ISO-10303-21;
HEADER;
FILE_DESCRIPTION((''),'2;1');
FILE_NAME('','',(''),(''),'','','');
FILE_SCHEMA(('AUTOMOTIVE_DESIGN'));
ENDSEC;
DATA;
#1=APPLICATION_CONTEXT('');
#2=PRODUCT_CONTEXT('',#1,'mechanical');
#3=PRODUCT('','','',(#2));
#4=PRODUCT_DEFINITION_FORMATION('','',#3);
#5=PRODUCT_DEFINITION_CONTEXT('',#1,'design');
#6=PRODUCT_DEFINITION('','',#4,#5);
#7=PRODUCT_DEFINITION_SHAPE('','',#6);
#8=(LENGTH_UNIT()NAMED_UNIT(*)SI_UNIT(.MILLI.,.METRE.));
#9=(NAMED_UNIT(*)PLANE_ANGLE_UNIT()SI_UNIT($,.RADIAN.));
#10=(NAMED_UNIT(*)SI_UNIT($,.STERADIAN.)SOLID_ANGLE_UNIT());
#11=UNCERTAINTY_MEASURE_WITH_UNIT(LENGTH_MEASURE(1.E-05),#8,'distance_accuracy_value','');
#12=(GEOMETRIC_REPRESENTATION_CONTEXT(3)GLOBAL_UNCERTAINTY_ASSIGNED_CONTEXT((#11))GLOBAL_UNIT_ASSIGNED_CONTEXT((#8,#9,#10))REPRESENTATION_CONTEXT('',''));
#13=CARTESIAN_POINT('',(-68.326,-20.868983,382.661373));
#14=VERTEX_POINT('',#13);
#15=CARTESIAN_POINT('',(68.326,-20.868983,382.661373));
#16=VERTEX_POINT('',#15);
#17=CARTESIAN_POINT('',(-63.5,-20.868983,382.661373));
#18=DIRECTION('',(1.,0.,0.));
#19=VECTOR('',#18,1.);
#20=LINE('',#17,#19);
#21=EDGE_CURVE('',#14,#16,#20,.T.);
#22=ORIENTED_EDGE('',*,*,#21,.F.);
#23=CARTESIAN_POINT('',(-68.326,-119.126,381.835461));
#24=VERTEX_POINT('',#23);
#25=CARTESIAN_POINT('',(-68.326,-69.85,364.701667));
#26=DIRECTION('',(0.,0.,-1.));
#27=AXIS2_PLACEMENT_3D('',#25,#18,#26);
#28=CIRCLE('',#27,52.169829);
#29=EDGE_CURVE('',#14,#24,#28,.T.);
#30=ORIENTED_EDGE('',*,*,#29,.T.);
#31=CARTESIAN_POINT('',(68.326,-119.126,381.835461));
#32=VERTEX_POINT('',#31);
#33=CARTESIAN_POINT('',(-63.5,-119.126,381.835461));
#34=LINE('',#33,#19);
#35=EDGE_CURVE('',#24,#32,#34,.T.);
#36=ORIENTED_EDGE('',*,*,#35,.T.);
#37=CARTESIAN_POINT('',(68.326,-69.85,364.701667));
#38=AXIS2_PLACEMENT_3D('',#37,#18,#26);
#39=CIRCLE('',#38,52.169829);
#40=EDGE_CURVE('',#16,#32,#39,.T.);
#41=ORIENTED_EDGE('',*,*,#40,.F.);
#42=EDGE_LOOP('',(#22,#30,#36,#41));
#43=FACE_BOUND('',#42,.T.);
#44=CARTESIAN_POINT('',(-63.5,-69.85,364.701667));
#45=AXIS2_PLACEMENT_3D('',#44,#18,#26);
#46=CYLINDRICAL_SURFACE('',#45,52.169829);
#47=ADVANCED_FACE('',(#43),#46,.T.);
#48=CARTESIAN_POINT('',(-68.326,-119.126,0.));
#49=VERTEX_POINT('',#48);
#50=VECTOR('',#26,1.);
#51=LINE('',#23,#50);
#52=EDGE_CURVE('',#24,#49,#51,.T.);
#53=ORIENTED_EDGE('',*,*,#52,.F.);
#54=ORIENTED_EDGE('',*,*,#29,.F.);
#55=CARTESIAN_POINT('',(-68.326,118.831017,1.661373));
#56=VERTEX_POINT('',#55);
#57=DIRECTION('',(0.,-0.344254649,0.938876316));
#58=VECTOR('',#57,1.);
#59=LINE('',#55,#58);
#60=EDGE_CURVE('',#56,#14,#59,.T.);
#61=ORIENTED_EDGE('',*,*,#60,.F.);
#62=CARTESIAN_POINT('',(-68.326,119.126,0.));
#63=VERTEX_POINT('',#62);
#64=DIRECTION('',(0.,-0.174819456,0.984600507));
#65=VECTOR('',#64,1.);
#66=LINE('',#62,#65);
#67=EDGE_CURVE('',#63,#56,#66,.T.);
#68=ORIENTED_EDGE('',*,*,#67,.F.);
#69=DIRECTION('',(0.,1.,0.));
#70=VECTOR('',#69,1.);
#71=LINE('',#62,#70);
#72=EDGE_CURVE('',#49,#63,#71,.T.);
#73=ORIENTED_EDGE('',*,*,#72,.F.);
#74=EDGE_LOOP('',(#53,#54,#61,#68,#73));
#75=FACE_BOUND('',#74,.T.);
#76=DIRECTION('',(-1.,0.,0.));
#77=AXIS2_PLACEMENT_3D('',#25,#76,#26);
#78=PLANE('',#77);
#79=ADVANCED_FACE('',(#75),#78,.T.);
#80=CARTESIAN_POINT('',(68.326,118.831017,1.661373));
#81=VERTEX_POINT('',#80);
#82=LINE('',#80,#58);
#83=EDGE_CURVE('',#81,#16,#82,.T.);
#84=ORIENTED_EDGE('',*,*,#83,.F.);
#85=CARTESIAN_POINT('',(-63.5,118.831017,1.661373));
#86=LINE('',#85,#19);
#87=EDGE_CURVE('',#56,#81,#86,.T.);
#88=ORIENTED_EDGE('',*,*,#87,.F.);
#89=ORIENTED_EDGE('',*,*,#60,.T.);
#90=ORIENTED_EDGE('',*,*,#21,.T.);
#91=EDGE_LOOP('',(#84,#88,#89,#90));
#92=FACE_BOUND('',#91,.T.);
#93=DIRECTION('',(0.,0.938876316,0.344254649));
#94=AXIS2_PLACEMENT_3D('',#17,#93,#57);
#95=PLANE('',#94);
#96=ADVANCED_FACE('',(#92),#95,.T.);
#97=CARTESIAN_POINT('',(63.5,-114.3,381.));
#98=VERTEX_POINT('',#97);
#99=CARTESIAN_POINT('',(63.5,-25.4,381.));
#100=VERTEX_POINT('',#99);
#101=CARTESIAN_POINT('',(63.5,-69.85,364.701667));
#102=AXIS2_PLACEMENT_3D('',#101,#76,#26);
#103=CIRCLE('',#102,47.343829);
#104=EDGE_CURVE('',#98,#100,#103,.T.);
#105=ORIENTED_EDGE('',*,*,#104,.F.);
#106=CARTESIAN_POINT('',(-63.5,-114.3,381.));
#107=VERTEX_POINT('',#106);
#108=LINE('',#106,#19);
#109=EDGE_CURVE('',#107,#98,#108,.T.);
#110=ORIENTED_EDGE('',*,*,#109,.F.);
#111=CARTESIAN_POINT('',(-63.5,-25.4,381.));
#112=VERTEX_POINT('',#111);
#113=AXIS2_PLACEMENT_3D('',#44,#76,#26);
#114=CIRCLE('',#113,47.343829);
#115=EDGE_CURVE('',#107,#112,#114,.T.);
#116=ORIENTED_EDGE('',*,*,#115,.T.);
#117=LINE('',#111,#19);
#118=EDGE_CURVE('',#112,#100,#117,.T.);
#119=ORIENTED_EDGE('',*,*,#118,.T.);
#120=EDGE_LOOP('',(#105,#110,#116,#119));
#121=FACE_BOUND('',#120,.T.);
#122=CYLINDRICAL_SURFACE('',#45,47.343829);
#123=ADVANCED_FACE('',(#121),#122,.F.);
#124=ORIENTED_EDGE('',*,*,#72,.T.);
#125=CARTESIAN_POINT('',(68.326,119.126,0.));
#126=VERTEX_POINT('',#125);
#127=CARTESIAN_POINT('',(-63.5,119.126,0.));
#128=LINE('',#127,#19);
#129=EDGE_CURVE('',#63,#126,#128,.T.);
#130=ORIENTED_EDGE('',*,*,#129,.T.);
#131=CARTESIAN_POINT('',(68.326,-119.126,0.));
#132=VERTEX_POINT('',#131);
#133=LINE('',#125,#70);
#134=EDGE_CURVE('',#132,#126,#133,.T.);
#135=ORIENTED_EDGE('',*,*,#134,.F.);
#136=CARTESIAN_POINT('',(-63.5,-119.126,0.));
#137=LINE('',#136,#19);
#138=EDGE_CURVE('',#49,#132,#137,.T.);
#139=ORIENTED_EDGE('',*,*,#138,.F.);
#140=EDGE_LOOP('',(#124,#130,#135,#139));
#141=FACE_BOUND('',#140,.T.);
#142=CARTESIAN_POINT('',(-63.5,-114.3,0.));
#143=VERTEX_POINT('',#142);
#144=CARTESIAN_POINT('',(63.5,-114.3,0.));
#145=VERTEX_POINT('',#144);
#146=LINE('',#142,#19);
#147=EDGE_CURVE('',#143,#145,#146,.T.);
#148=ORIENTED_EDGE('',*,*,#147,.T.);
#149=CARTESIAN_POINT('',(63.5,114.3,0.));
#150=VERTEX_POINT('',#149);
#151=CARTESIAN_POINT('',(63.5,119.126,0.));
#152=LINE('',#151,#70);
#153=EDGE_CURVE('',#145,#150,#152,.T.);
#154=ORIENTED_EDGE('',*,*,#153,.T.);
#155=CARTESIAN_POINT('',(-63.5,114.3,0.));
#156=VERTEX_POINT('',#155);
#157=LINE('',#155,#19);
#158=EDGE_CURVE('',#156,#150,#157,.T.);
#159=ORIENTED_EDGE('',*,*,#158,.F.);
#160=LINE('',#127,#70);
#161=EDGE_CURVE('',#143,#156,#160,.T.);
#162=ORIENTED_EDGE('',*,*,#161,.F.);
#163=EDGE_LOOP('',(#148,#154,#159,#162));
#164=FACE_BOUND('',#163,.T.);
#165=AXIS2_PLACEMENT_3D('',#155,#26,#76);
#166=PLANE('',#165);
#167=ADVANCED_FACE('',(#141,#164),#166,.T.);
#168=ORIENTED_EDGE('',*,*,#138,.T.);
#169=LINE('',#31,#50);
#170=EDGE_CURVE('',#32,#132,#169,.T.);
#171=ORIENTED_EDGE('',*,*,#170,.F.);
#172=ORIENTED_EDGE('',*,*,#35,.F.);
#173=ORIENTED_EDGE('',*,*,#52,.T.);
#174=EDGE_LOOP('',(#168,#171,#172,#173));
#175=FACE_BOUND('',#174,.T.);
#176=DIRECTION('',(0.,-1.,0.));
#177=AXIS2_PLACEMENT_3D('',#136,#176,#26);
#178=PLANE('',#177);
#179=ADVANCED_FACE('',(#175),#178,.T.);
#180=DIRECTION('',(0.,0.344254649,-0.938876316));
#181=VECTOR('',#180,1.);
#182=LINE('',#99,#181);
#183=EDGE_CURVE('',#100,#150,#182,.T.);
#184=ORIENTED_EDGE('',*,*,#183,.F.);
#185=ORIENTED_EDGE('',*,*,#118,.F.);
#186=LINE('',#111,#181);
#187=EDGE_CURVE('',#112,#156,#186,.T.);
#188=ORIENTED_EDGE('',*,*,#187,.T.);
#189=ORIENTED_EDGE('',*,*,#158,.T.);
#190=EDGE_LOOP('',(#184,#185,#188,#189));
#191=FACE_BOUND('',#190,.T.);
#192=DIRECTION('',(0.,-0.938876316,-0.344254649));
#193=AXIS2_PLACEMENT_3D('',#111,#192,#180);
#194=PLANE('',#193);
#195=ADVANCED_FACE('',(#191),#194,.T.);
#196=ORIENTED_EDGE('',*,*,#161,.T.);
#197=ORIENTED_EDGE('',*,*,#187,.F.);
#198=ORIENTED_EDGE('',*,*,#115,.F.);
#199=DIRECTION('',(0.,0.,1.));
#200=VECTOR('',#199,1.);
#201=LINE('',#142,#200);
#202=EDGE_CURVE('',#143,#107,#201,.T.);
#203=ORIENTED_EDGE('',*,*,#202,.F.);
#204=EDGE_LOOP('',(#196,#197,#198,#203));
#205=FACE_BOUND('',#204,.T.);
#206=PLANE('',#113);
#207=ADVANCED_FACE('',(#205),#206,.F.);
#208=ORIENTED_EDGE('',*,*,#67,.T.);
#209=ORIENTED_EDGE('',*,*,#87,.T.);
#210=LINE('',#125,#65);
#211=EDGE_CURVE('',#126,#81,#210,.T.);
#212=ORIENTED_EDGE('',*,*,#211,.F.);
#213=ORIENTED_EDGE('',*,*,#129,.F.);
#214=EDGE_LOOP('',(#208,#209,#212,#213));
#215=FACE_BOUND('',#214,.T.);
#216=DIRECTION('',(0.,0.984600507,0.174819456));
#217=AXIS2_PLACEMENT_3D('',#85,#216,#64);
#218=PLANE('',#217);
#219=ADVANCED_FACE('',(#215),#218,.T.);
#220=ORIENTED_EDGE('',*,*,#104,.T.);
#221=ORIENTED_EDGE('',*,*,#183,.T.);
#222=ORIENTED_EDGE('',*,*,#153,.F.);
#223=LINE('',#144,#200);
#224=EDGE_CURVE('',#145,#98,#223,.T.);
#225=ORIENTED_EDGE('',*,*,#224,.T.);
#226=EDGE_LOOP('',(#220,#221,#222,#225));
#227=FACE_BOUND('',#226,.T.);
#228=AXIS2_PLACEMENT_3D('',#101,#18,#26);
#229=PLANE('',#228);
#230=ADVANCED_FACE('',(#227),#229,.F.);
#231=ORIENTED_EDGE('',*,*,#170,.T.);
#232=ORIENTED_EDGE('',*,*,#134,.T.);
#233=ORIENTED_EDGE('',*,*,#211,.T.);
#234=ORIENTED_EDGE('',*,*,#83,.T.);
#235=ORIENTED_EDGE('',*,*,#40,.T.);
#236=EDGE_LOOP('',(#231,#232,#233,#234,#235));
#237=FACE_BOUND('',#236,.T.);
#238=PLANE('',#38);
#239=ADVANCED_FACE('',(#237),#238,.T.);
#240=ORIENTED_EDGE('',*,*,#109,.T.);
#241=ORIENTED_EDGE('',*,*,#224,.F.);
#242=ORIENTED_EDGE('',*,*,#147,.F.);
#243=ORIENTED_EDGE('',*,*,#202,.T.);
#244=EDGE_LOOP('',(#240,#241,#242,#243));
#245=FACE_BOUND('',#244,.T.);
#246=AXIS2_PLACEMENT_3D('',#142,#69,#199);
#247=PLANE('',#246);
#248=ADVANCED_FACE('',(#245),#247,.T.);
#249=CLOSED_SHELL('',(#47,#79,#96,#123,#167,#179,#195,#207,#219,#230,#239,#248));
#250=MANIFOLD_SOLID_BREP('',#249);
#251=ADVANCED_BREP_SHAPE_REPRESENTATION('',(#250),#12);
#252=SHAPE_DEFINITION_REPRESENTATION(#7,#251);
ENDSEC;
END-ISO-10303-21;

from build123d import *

# Parameters (mm, degrees)
BOSS_EXTRUDE1_DEPTH      = 63.5
BOSS_EXTRUDE1_DEPTH_BACK = 63.5
BOSS_EXTRUDE2_DEPTH      = 4.826


with BuildPart() as part:
    # Sketch1 → Boss-Extrude1 (new, two sides: drawn at the far end of the back side and taken through both)
    with BuildSketch(Plane(origin=(0, 0, 0), x_dir=(0, 0, -1), z_dir=(1, 0, 0)).offset(-BOSS_EXTRUDE1_DEPTH_BACK)):
        with BuildLine():
            Line((0, -114.3), (-381, -114.3))
            ThreePointArc((-381, -114.3), (-412.045495931, -69.85), (-381, -25.4))
            Line((-381, -25.4), (0, 114.3))
            Line((0, 114.3), (0, 119.126))
            Line((0, 119.126), (-1.661372937, 118.8310171))
            Line((-1.661372937, 118.8310171), (-382.661372937, -20.8689829))
            ThreePointArc((-382.661372937, -20.8689829), (-416.86965301, -70.288504669), (-381.835461036, -119.126))
            Line((-381.835461036, -119.126), (0, -119.126))
            Line((0, -119.126), (0, -114.3))
        make_face()
    extrude(amount=BOSS_EXTRUDE1_DEPTH + BOSS_EXTRUDE1_DEPTH_BACK)

    # Sketch2 → Boss-Extrude2 (add)
    with BuildSketch(Plane(origin=(63.5, 0, 0), x_dir=(0, 0, -1), z_dir=(1, 0, 0))):
        with BuildLine():
            Line((-381.835461036, -119.126), (0, -119.126))
            Line((0, -119.126), (0, 119.126))
            Line((0, 119.126), (-1.661372937, 118.8310171))
            Line((-1.661372937, 118.8310171), (-382.661372937, -20.8689829))
            ThreePointArc((-382.661372937, -20.8689829), (-416.86965301, -70.288504669), (-381.835461036, -119.126))
        make_face()
    boss_extrude2 = extrude(amount=BOSS_EXTRUDE2_DEPTH)

    # Mirror1: Boss-Extrude2 across plane
    add(boss_extrude2.mirror(Plane(origin=(0, 0, 0), x_dir=(0, 0, 1), z_dir=(1, 0, 0))))


solid = part.part
